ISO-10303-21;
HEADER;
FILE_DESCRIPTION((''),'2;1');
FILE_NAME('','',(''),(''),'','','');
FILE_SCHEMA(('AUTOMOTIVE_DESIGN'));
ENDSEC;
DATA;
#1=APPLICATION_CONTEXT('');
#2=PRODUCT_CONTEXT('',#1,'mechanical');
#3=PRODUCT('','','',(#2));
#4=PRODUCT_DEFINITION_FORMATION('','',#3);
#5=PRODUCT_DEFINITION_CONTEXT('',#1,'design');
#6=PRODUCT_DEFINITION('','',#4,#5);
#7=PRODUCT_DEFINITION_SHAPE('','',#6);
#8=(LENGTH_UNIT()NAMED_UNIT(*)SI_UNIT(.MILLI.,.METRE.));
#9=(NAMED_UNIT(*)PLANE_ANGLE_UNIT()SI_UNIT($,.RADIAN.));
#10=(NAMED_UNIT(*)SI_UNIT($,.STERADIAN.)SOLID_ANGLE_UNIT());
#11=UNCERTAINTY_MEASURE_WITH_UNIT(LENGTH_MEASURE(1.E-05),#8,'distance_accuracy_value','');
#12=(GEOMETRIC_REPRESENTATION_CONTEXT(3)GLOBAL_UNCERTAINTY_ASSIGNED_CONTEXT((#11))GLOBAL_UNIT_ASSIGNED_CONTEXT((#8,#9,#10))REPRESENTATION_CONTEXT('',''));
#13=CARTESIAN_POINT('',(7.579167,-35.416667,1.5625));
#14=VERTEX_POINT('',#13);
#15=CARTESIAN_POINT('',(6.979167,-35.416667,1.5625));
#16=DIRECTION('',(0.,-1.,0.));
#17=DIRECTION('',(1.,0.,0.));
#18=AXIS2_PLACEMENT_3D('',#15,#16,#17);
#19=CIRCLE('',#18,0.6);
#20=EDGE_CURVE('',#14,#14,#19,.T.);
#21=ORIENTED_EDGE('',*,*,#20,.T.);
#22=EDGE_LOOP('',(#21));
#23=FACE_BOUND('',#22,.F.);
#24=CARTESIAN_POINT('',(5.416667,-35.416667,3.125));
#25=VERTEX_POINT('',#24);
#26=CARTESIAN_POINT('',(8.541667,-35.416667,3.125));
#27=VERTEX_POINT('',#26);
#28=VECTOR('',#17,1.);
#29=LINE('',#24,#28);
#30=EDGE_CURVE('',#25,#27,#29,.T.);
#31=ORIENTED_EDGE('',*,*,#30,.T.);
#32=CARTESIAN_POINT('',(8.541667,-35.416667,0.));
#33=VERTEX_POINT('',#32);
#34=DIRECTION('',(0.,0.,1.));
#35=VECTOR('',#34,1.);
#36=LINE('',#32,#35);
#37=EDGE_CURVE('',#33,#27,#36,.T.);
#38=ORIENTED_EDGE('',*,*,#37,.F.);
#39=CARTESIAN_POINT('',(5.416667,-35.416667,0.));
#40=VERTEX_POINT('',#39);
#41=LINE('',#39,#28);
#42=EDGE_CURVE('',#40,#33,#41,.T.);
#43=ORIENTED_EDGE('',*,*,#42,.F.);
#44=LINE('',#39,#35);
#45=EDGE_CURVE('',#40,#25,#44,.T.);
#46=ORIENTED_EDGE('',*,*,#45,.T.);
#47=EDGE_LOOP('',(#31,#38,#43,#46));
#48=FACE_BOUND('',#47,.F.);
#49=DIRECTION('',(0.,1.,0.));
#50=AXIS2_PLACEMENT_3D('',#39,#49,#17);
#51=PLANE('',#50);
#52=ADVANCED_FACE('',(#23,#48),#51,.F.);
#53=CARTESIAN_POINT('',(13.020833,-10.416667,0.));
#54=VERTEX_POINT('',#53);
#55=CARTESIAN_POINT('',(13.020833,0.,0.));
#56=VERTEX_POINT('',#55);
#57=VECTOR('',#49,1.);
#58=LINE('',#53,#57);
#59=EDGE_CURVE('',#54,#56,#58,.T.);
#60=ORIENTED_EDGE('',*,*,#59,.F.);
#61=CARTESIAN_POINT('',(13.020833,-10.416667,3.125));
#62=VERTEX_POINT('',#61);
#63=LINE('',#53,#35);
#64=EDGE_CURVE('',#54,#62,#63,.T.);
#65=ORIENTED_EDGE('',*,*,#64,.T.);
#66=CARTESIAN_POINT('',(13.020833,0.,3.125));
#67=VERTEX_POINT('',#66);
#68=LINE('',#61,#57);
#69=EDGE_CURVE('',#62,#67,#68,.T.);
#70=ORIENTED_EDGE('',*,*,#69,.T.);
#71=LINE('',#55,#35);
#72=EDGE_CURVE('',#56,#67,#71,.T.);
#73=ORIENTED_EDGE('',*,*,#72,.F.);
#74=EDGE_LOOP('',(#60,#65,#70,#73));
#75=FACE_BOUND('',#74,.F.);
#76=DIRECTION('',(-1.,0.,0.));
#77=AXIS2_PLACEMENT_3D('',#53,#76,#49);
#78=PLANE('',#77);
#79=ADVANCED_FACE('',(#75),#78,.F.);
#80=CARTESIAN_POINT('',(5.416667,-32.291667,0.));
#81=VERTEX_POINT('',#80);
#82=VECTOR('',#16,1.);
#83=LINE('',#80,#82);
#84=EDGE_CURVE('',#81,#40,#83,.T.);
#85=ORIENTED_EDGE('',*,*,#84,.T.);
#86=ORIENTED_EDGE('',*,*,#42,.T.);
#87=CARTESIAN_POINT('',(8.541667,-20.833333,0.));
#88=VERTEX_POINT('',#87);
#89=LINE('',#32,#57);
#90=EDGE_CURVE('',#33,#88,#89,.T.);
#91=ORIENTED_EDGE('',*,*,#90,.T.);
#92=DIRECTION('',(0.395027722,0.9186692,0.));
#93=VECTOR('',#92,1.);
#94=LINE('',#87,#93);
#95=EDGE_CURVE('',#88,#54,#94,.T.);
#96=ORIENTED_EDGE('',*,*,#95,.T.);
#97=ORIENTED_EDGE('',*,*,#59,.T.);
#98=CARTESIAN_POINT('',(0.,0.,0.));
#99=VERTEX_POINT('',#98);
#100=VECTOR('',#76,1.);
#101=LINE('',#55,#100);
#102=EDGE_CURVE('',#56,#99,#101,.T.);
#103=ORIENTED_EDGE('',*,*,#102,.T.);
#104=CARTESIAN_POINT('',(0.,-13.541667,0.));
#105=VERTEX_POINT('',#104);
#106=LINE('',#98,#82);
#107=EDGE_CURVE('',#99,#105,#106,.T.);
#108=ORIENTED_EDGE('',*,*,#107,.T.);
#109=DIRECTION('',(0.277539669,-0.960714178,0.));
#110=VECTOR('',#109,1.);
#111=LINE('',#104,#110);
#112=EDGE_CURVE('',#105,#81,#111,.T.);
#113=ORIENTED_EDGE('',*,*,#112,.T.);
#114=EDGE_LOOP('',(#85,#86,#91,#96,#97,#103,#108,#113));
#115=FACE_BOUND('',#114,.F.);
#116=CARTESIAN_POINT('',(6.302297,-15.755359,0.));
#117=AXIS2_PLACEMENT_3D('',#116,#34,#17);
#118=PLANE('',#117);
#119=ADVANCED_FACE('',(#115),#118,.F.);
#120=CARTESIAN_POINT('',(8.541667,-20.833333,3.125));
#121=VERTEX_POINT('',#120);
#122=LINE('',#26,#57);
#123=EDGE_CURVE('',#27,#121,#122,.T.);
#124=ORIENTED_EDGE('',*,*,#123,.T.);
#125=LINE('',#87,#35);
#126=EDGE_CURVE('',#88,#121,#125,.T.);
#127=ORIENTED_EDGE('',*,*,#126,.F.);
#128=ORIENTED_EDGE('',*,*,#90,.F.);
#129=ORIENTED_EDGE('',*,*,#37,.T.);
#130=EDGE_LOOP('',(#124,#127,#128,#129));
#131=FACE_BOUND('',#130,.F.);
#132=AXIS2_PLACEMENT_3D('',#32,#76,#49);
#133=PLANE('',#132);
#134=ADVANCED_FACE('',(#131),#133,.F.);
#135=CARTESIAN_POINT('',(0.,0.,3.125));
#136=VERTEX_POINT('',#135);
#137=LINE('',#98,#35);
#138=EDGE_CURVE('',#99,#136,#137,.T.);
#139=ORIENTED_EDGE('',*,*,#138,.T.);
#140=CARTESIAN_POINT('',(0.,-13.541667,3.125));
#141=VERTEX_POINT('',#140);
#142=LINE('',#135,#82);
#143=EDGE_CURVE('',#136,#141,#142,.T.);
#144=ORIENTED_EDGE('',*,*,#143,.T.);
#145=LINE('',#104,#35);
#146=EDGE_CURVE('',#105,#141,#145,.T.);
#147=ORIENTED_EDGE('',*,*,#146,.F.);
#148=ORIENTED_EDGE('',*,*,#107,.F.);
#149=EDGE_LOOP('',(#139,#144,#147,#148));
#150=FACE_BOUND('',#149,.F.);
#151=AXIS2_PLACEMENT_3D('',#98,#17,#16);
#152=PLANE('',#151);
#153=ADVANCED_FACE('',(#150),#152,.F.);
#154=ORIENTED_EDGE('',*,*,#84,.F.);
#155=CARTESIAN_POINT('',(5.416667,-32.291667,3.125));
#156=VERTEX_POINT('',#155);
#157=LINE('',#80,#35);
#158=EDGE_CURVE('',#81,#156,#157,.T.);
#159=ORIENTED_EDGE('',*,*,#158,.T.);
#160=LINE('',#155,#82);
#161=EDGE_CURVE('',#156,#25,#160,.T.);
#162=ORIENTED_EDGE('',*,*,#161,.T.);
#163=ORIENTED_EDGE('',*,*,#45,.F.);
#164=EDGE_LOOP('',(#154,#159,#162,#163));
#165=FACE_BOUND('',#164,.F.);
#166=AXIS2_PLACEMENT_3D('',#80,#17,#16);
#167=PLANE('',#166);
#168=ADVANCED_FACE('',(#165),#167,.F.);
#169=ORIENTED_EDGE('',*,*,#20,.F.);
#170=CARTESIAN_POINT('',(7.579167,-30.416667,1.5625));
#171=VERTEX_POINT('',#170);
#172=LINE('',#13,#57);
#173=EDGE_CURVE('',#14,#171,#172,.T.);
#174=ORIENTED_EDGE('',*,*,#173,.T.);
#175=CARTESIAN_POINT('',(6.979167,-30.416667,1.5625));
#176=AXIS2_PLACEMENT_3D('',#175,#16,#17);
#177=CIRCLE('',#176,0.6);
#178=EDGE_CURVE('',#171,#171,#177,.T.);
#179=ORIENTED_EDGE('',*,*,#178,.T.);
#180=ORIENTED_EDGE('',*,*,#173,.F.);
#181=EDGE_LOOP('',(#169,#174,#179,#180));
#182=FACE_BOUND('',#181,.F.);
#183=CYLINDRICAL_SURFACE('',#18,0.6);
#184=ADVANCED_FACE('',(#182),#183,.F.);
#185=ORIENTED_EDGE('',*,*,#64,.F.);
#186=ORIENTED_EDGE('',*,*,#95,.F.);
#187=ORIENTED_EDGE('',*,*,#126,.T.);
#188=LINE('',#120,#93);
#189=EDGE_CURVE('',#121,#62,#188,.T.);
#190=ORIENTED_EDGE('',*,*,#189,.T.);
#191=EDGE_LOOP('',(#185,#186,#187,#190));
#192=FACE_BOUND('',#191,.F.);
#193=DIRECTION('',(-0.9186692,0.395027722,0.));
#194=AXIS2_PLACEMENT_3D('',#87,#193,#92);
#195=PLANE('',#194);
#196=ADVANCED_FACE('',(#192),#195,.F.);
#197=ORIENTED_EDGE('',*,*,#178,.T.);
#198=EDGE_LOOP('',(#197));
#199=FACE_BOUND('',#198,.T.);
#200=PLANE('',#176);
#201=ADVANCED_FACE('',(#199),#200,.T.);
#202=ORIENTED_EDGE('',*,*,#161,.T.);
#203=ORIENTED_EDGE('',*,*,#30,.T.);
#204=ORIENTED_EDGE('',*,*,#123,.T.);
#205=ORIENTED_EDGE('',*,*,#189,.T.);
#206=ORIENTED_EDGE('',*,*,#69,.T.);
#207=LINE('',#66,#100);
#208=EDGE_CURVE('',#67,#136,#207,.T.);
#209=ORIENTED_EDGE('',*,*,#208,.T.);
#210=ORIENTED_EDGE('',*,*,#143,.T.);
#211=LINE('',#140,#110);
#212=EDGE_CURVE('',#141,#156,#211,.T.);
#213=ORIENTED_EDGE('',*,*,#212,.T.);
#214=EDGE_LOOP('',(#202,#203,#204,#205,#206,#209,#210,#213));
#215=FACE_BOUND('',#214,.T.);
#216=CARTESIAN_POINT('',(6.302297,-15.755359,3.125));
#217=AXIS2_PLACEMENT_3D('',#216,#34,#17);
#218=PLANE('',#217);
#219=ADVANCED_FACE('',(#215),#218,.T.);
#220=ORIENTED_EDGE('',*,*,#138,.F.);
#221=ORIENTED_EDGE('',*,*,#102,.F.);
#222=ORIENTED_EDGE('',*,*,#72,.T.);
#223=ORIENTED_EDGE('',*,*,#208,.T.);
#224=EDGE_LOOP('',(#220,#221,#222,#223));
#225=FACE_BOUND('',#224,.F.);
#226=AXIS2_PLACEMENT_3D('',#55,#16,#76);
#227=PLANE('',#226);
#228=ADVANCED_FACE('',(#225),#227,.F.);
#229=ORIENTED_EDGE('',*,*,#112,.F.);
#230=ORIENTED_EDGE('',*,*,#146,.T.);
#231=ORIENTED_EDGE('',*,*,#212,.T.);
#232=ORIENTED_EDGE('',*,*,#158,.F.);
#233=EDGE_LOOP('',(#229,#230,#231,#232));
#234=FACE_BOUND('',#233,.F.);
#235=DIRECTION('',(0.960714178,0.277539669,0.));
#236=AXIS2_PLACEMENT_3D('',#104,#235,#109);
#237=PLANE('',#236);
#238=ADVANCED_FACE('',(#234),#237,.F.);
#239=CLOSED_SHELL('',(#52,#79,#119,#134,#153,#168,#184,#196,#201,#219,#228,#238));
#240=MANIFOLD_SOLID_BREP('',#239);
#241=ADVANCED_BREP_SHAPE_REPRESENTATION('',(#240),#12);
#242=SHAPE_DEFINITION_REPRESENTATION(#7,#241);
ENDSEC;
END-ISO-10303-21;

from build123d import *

# Parameters (mm, degrees)
F1_DEPTH = 3.125
F2_R     = 0.6
F3_DEPTH = 5


with BuildPart() as f1:
    # F0 (on Top) → F1 (new body)
    with BuildSketch(Plane.XY):
        Polygon((13.020833, 0), (0, 0), (0, -13.541667), (5.416667, -32.291667), (5.416667, -35.416667), (8.541667, -35.416667), (8.541667, -20.833333), (13.020833, -10.416667), align=None)
    extrude(amount=F1_DEPTH)

    # F2 (on face) → F3 (cut)
    with BuildSketch(Plane.XZ.offset(35.416667)):
        with Locations((6.979167, 1.5625)):
            Circle(F2_R)
    extrude(amount=-F3_DEPTH, mode=Mode.SUBTRACT)


solid = f1.part
